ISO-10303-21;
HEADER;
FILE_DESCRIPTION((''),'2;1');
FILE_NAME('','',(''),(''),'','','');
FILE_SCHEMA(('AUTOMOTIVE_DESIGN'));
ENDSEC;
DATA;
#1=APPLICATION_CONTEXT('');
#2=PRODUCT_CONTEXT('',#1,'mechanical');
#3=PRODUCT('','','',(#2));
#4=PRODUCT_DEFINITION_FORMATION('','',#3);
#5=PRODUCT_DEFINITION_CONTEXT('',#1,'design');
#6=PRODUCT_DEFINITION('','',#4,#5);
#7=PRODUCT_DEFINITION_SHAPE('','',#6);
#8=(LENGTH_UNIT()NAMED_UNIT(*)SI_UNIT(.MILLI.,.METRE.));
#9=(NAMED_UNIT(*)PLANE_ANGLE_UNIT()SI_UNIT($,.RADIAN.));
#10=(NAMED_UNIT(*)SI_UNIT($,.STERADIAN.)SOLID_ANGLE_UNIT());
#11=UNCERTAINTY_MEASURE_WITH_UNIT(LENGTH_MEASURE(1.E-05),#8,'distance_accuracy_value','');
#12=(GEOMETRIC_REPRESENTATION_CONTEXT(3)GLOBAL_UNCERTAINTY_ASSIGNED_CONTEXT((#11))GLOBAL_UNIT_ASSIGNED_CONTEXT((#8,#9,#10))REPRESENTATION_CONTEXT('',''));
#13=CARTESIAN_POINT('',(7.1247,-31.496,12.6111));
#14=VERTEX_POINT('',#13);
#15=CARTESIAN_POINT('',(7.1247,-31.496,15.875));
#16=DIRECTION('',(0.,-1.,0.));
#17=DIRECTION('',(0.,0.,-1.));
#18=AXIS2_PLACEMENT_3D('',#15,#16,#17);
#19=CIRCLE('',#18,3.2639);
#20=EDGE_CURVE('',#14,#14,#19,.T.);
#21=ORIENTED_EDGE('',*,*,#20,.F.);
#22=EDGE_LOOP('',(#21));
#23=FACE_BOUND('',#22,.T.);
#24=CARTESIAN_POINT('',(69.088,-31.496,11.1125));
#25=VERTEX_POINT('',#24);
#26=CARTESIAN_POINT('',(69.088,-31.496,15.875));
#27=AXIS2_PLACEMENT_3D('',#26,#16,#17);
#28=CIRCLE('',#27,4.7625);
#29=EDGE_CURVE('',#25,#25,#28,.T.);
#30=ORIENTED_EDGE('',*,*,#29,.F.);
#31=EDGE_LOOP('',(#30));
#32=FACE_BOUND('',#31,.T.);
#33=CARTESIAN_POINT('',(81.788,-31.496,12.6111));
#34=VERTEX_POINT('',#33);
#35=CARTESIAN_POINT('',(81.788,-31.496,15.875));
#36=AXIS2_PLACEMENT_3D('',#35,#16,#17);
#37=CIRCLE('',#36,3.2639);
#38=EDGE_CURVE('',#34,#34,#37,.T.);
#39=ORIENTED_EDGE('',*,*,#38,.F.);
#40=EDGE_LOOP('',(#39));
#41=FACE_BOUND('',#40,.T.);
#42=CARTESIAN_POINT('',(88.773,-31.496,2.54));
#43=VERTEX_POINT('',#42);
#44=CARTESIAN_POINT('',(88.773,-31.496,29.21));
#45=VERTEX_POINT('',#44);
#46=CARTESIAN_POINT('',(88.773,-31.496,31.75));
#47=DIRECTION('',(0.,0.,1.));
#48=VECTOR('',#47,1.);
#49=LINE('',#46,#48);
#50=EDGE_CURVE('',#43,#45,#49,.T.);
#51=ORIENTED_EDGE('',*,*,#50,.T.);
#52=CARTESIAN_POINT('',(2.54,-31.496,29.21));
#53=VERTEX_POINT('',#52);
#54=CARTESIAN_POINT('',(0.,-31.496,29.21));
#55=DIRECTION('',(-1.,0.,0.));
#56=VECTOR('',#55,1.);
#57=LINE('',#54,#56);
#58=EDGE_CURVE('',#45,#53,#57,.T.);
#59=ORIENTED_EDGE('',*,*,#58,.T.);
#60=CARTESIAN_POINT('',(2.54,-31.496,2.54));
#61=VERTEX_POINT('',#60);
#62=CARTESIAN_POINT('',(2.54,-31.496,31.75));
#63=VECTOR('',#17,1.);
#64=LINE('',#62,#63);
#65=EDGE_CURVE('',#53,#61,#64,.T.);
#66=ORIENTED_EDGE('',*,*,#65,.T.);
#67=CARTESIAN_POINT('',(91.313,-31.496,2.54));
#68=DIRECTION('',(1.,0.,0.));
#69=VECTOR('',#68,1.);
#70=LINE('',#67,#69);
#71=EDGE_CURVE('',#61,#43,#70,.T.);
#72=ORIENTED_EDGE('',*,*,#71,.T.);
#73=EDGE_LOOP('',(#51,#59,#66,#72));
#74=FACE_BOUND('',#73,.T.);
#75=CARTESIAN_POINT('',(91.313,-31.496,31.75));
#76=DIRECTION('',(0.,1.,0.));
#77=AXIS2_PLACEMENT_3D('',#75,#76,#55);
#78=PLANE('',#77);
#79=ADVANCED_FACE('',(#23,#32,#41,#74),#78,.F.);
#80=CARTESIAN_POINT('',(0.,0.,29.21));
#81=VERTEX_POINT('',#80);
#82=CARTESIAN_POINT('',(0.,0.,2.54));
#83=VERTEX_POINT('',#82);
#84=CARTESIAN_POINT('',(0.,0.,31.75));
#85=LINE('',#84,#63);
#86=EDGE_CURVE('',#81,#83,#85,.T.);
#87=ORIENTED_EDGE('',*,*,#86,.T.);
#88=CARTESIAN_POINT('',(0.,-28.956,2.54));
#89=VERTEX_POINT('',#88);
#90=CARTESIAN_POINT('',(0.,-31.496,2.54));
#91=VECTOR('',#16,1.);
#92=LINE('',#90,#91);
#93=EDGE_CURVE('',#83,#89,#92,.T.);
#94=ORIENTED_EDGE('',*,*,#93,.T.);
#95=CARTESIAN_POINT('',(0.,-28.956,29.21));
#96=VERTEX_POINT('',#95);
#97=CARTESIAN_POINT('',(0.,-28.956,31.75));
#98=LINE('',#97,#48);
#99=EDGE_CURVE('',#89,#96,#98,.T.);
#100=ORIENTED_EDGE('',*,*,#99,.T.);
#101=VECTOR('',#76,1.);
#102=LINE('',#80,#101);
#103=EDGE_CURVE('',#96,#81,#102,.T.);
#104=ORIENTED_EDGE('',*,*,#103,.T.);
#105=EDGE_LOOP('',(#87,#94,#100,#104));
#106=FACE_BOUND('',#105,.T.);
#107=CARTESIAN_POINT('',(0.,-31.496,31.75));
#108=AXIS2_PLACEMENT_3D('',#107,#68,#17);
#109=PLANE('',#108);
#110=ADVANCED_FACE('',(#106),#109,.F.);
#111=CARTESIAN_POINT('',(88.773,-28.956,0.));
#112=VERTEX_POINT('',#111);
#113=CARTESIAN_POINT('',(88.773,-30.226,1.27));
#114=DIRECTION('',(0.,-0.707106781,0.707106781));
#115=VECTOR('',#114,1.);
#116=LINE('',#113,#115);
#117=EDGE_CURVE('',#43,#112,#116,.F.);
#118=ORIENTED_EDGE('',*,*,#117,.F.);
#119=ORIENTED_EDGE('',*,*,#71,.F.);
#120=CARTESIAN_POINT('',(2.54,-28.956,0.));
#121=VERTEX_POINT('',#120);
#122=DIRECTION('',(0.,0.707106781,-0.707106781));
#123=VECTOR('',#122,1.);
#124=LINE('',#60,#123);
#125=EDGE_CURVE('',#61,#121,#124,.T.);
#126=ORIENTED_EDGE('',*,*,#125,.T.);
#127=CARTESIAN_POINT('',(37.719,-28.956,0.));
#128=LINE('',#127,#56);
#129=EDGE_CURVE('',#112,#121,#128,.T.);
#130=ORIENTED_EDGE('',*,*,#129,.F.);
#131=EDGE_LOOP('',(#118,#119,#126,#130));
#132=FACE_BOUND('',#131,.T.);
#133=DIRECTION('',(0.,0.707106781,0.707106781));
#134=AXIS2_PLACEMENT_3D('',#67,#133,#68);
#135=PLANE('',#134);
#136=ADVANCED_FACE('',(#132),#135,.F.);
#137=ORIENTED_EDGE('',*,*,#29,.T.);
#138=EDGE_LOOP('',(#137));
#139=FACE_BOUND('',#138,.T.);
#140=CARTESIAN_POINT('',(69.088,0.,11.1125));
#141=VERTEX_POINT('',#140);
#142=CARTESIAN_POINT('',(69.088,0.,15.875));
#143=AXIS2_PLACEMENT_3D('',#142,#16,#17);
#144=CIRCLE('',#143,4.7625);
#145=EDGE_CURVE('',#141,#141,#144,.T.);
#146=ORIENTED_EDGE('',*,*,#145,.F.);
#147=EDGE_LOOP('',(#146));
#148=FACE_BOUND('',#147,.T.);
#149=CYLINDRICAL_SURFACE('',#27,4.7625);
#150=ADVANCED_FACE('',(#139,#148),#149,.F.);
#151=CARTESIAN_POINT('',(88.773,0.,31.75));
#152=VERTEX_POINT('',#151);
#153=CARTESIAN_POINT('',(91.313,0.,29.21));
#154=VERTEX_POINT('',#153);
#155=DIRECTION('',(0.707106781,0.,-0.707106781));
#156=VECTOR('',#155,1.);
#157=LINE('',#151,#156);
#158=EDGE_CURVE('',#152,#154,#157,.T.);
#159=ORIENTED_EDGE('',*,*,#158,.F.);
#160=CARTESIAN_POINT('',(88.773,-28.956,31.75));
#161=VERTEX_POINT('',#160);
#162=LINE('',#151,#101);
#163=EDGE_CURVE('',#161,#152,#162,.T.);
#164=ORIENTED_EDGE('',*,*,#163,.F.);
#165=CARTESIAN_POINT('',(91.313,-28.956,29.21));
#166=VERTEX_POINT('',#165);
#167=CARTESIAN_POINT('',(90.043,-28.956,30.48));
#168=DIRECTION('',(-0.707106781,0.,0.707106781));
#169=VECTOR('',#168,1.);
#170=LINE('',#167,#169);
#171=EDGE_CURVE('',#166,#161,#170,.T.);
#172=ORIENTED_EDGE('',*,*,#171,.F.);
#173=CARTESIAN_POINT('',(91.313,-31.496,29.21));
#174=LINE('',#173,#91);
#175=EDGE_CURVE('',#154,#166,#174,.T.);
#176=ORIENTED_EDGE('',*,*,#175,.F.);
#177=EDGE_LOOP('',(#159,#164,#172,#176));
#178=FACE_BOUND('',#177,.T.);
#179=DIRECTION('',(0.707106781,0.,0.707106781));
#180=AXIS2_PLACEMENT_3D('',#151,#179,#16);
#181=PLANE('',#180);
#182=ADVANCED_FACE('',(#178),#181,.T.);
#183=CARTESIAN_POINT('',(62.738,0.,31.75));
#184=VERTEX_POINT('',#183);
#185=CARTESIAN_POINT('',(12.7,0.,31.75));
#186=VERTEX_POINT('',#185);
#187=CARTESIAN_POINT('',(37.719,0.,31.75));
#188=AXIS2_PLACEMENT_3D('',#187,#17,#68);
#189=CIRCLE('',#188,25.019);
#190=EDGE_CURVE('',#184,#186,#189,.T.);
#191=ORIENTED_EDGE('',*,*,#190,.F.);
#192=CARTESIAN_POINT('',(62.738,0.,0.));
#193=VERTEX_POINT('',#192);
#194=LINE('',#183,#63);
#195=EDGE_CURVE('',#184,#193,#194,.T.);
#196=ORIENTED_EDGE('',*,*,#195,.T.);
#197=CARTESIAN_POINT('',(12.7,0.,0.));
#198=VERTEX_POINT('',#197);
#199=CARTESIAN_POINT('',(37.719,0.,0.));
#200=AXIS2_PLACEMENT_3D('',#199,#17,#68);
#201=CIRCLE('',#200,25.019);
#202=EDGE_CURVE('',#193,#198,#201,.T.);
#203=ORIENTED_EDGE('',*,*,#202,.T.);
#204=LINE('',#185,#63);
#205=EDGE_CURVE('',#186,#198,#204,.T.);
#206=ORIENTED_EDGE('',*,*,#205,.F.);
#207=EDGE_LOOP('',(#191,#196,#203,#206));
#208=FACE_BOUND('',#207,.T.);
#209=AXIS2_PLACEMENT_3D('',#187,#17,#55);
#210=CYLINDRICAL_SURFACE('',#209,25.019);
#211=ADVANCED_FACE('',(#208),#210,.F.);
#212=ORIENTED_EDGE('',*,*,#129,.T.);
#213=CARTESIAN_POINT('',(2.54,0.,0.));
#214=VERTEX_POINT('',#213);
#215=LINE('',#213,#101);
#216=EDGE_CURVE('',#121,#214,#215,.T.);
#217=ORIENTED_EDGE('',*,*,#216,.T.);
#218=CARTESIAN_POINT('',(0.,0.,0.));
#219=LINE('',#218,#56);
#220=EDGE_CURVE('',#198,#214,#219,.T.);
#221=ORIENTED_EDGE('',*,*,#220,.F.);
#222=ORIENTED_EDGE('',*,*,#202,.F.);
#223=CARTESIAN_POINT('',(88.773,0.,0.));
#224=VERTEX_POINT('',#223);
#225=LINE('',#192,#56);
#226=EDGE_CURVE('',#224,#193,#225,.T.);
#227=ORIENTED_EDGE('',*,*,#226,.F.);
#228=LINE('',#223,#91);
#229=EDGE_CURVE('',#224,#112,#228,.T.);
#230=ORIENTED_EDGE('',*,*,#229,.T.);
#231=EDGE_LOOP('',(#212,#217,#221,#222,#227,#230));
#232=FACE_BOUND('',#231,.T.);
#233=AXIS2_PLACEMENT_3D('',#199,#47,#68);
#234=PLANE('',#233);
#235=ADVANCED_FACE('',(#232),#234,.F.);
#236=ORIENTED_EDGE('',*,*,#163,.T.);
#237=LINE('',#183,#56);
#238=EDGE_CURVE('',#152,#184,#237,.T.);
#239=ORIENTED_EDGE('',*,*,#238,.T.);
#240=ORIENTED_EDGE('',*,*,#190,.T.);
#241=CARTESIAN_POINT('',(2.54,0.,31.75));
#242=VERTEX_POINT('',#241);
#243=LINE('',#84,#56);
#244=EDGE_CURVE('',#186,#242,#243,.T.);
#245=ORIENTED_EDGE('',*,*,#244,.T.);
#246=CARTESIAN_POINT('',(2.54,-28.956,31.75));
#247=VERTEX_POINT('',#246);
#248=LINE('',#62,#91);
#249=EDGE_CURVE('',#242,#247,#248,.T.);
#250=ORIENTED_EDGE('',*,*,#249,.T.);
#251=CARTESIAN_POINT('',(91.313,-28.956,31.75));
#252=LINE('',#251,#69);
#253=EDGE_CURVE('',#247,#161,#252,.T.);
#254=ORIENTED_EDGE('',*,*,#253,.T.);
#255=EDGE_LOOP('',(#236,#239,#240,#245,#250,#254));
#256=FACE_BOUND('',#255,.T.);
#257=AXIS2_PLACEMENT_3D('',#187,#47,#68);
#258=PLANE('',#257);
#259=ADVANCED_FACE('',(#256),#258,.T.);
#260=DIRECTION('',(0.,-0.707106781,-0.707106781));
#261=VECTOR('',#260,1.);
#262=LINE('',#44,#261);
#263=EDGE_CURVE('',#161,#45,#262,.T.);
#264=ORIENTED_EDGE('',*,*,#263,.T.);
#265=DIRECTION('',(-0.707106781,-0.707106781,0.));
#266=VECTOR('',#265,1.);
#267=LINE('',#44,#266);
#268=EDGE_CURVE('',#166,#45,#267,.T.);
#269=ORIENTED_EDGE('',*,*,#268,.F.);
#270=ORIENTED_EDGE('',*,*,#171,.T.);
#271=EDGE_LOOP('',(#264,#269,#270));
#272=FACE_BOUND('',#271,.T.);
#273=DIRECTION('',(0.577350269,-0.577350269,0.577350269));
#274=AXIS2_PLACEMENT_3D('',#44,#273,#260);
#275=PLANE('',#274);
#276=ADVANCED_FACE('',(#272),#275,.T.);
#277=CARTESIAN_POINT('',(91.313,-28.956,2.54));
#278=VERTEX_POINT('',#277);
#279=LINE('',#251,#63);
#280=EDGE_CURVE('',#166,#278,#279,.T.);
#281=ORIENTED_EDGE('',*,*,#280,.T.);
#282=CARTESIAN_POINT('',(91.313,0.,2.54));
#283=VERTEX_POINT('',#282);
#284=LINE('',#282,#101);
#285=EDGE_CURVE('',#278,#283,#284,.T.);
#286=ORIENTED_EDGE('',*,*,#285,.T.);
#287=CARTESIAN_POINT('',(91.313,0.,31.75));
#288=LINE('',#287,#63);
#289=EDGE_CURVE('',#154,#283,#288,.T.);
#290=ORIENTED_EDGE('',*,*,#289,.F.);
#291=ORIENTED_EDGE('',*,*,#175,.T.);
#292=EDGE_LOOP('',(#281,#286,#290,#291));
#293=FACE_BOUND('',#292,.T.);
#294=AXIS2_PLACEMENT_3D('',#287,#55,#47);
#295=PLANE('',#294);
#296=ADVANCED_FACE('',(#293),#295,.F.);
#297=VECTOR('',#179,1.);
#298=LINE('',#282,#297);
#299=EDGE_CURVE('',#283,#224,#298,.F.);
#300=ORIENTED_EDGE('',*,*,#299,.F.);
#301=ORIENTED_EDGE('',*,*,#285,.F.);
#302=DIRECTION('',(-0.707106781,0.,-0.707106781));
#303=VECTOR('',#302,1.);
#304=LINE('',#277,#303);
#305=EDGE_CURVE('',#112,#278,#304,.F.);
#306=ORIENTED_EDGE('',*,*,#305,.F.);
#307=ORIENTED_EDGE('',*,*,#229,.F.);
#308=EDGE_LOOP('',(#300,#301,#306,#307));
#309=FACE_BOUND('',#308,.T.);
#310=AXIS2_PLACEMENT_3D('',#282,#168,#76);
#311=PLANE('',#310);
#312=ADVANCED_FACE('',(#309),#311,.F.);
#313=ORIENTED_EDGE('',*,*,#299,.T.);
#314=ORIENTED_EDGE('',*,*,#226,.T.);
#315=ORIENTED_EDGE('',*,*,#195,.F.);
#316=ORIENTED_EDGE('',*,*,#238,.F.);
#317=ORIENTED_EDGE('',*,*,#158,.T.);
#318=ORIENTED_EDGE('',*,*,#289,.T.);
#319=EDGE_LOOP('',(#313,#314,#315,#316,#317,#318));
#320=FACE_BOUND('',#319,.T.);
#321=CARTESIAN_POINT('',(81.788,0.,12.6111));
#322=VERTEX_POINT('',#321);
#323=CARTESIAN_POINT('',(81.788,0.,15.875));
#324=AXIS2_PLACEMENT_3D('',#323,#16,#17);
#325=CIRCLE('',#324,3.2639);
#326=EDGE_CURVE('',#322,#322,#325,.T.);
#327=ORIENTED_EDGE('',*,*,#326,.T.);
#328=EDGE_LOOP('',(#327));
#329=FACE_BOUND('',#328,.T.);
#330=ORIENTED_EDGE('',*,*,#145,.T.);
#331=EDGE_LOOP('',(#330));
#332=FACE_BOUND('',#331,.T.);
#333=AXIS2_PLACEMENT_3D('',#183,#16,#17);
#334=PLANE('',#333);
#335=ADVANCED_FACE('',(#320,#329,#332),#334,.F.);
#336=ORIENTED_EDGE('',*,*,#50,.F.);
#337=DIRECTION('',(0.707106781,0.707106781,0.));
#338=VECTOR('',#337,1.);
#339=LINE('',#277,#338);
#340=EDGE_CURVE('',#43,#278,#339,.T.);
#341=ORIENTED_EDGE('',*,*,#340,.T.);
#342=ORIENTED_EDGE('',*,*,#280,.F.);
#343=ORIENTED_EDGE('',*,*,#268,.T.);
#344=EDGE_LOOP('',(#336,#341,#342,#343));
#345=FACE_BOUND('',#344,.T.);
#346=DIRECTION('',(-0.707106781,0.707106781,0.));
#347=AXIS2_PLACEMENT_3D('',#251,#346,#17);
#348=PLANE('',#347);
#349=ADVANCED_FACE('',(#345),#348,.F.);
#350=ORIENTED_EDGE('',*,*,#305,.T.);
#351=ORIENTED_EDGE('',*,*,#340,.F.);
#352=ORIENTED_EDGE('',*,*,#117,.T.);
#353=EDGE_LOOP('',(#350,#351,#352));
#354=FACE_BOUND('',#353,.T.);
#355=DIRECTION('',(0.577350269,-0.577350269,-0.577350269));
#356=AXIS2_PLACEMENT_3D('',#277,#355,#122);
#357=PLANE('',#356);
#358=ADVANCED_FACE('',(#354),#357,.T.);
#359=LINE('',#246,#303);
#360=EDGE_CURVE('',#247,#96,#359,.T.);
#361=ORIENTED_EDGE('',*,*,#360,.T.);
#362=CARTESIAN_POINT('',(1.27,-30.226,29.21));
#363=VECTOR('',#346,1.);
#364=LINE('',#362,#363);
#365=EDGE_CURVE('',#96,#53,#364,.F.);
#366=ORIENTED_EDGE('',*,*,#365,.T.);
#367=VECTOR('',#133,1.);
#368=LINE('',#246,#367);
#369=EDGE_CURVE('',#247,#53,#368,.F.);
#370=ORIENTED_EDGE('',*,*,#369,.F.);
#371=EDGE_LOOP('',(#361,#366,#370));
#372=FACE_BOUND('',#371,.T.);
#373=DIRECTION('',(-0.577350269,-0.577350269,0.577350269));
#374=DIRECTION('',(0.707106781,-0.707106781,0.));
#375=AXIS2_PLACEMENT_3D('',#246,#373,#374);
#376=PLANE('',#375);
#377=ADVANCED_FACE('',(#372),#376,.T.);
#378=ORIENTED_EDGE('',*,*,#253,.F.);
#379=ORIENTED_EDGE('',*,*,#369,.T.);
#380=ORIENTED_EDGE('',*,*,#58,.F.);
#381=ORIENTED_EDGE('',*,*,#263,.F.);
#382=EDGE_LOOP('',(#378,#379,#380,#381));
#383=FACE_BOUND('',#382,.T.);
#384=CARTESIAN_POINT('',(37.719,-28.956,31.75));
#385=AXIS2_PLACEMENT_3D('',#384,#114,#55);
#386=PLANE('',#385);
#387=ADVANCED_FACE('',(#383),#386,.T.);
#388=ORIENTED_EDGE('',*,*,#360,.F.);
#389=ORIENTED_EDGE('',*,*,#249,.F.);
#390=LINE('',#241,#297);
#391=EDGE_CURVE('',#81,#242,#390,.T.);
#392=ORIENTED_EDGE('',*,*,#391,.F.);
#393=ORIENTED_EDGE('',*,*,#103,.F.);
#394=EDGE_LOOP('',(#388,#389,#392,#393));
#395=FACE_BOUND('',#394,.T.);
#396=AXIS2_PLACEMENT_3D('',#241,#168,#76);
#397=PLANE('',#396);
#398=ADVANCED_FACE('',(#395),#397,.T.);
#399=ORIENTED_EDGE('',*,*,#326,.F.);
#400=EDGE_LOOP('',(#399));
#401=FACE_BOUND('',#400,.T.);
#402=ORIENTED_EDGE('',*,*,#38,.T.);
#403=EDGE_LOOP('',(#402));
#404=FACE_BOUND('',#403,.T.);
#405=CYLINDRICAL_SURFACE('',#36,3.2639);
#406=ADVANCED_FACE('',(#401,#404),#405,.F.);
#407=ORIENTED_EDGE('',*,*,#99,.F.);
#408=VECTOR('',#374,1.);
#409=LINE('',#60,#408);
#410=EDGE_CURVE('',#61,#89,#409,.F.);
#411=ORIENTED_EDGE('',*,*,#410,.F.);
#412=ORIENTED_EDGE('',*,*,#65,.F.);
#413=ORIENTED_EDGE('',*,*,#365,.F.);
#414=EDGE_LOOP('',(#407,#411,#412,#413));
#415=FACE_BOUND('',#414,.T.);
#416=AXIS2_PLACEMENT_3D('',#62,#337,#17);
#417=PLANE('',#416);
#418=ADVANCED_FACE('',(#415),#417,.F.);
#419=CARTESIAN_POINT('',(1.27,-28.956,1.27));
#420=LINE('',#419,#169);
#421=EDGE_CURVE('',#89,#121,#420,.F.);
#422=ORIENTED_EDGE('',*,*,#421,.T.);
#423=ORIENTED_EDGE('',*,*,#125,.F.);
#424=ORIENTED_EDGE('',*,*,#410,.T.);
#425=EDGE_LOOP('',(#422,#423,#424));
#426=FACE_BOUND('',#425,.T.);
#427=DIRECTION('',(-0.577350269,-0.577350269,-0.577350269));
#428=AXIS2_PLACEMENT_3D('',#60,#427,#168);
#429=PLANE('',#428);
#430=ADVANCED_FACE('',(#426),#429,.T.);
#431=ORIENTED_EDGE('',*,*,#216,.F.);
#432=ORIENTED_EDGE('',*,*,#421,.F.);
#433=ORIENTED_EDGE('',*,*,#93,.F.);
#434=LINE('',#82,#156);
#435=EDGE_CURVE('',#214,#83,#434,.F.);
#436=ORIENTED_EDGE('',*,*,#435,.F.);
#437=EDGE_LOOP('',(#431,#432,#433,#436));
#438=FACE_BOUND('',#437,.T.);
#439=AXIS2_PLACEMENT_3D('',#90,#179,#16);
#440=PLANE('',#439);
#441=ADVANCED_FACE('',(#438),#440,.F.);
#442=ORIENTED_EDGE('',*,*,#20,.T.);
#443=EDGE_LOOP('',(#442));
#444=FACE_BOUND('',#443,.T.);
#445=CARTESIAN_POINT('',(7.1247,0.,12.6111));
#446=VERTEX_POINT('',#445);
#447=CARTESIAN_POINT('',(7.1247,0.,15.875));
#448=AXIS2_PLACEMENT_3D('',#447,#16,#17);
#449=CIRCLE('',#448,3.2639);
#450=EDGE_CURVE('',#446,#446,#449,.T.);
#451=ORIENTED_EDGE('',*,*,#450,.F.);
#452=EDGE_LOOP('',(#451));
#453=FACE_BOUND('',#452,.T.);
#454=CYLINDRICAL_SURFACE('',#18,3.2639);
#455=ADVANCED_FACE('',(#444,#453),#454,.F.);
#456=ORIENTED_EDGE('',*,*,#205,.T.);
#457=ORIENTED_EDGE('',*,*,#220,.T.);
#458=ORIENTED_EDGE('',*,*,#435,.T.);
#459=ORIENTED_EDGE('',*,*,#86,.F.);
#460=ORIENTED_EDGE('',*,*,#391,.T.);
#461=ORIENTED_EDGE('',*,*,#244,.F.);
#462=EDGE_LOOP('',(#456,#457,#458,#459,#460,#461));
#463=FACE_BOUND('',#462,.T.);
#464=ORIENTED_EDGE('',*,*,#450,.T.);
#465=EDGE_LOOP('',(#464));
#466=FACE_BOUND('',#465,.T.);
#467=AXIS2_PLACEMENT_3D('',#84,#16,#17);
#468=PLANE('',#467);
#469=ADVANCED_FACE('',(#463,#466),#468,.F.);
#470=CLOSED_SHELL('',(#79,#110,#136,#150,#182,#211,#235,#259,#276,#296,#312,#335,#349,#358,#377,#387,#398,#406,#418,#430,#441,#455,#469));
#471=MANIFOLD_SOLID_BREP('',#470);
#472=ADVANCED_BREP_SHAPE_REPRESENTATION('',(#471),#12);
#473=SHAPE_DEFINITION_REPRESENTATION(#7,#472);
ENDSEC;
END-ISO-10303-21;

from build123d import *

# Parameters (mm, degrees)
BOSS_EXTRUDE1_DEPTH                 = 31.75
F_5_16_18_TAPPED_HOLE1_D            = 6.5278
F_3_8_0_375_CLEARANCE_DOWEL_HOLE2_D = 9.525
CHAMFER1_SIZE                       = 2.54


with BuildPart() as part:
    # Sketch1 → Boss-Extrude1 (new body)
    with BuildSketch(Plane.XY):
        with BuildLine():
            Line((0, 0), (12.7, 0))
            ThreePointArc((12.7, 0), (37.719, -25.019), (62.738, 0))
            Line((62.738, 0), (91.313, 0))
            Line((91.313, 0), (91.313, -31.496))
            Line((91.313, -31.496), (0, -31.496))
            Line((0, -31.496), (0, 0))
        make_face()
    extrude(amount=BOSS_EXTRUDE1_DEPTH)

    # 5/16-18 Tapped Hole1 (through all)
    with Locations(Plane(origin=(0, -31.496, 0), x_dir=(-1, 0, 0), z_dir=(0, -1, 0))):
        with Locations((-7.1247, -15.875), (-81.788, -15.875)):
            Hole(F_5_16_18_TAPPED_HOLE1_D / 2)

    # 3/8 (0.375) Clearance Dowel Hole2 (through all)
    with Locations(Plane(origin=(0, -31.496, 0), x_dir=(-1, 0, 0), z_dir=(0, -1, 0))):
        with Locations((-69.088, -15.875)):
            Hole(F_3_8_0_375_CLEARANCE_DOWEL_HOLE2_D / 2)

    # Chamfer1
    chamfer1_edges = [part.edges().sort_by_distance(p)[0] for p in [
        (91.313, -15.748, 31.75),
        (91.313, -31.496, 15.875),
        (0, -31.496, 15.875),
        (0, -15.748, 31.75),
        (45.6565, -31.496, 31.75),
        (91.313, -15.748, 0),
        (45.6565, -31.496, 0),
        (0, -15.748, 0),
    ]]
    chamfer(chamfer1_edges, length=CHAMFER1_SIZE)


solid = part.part
